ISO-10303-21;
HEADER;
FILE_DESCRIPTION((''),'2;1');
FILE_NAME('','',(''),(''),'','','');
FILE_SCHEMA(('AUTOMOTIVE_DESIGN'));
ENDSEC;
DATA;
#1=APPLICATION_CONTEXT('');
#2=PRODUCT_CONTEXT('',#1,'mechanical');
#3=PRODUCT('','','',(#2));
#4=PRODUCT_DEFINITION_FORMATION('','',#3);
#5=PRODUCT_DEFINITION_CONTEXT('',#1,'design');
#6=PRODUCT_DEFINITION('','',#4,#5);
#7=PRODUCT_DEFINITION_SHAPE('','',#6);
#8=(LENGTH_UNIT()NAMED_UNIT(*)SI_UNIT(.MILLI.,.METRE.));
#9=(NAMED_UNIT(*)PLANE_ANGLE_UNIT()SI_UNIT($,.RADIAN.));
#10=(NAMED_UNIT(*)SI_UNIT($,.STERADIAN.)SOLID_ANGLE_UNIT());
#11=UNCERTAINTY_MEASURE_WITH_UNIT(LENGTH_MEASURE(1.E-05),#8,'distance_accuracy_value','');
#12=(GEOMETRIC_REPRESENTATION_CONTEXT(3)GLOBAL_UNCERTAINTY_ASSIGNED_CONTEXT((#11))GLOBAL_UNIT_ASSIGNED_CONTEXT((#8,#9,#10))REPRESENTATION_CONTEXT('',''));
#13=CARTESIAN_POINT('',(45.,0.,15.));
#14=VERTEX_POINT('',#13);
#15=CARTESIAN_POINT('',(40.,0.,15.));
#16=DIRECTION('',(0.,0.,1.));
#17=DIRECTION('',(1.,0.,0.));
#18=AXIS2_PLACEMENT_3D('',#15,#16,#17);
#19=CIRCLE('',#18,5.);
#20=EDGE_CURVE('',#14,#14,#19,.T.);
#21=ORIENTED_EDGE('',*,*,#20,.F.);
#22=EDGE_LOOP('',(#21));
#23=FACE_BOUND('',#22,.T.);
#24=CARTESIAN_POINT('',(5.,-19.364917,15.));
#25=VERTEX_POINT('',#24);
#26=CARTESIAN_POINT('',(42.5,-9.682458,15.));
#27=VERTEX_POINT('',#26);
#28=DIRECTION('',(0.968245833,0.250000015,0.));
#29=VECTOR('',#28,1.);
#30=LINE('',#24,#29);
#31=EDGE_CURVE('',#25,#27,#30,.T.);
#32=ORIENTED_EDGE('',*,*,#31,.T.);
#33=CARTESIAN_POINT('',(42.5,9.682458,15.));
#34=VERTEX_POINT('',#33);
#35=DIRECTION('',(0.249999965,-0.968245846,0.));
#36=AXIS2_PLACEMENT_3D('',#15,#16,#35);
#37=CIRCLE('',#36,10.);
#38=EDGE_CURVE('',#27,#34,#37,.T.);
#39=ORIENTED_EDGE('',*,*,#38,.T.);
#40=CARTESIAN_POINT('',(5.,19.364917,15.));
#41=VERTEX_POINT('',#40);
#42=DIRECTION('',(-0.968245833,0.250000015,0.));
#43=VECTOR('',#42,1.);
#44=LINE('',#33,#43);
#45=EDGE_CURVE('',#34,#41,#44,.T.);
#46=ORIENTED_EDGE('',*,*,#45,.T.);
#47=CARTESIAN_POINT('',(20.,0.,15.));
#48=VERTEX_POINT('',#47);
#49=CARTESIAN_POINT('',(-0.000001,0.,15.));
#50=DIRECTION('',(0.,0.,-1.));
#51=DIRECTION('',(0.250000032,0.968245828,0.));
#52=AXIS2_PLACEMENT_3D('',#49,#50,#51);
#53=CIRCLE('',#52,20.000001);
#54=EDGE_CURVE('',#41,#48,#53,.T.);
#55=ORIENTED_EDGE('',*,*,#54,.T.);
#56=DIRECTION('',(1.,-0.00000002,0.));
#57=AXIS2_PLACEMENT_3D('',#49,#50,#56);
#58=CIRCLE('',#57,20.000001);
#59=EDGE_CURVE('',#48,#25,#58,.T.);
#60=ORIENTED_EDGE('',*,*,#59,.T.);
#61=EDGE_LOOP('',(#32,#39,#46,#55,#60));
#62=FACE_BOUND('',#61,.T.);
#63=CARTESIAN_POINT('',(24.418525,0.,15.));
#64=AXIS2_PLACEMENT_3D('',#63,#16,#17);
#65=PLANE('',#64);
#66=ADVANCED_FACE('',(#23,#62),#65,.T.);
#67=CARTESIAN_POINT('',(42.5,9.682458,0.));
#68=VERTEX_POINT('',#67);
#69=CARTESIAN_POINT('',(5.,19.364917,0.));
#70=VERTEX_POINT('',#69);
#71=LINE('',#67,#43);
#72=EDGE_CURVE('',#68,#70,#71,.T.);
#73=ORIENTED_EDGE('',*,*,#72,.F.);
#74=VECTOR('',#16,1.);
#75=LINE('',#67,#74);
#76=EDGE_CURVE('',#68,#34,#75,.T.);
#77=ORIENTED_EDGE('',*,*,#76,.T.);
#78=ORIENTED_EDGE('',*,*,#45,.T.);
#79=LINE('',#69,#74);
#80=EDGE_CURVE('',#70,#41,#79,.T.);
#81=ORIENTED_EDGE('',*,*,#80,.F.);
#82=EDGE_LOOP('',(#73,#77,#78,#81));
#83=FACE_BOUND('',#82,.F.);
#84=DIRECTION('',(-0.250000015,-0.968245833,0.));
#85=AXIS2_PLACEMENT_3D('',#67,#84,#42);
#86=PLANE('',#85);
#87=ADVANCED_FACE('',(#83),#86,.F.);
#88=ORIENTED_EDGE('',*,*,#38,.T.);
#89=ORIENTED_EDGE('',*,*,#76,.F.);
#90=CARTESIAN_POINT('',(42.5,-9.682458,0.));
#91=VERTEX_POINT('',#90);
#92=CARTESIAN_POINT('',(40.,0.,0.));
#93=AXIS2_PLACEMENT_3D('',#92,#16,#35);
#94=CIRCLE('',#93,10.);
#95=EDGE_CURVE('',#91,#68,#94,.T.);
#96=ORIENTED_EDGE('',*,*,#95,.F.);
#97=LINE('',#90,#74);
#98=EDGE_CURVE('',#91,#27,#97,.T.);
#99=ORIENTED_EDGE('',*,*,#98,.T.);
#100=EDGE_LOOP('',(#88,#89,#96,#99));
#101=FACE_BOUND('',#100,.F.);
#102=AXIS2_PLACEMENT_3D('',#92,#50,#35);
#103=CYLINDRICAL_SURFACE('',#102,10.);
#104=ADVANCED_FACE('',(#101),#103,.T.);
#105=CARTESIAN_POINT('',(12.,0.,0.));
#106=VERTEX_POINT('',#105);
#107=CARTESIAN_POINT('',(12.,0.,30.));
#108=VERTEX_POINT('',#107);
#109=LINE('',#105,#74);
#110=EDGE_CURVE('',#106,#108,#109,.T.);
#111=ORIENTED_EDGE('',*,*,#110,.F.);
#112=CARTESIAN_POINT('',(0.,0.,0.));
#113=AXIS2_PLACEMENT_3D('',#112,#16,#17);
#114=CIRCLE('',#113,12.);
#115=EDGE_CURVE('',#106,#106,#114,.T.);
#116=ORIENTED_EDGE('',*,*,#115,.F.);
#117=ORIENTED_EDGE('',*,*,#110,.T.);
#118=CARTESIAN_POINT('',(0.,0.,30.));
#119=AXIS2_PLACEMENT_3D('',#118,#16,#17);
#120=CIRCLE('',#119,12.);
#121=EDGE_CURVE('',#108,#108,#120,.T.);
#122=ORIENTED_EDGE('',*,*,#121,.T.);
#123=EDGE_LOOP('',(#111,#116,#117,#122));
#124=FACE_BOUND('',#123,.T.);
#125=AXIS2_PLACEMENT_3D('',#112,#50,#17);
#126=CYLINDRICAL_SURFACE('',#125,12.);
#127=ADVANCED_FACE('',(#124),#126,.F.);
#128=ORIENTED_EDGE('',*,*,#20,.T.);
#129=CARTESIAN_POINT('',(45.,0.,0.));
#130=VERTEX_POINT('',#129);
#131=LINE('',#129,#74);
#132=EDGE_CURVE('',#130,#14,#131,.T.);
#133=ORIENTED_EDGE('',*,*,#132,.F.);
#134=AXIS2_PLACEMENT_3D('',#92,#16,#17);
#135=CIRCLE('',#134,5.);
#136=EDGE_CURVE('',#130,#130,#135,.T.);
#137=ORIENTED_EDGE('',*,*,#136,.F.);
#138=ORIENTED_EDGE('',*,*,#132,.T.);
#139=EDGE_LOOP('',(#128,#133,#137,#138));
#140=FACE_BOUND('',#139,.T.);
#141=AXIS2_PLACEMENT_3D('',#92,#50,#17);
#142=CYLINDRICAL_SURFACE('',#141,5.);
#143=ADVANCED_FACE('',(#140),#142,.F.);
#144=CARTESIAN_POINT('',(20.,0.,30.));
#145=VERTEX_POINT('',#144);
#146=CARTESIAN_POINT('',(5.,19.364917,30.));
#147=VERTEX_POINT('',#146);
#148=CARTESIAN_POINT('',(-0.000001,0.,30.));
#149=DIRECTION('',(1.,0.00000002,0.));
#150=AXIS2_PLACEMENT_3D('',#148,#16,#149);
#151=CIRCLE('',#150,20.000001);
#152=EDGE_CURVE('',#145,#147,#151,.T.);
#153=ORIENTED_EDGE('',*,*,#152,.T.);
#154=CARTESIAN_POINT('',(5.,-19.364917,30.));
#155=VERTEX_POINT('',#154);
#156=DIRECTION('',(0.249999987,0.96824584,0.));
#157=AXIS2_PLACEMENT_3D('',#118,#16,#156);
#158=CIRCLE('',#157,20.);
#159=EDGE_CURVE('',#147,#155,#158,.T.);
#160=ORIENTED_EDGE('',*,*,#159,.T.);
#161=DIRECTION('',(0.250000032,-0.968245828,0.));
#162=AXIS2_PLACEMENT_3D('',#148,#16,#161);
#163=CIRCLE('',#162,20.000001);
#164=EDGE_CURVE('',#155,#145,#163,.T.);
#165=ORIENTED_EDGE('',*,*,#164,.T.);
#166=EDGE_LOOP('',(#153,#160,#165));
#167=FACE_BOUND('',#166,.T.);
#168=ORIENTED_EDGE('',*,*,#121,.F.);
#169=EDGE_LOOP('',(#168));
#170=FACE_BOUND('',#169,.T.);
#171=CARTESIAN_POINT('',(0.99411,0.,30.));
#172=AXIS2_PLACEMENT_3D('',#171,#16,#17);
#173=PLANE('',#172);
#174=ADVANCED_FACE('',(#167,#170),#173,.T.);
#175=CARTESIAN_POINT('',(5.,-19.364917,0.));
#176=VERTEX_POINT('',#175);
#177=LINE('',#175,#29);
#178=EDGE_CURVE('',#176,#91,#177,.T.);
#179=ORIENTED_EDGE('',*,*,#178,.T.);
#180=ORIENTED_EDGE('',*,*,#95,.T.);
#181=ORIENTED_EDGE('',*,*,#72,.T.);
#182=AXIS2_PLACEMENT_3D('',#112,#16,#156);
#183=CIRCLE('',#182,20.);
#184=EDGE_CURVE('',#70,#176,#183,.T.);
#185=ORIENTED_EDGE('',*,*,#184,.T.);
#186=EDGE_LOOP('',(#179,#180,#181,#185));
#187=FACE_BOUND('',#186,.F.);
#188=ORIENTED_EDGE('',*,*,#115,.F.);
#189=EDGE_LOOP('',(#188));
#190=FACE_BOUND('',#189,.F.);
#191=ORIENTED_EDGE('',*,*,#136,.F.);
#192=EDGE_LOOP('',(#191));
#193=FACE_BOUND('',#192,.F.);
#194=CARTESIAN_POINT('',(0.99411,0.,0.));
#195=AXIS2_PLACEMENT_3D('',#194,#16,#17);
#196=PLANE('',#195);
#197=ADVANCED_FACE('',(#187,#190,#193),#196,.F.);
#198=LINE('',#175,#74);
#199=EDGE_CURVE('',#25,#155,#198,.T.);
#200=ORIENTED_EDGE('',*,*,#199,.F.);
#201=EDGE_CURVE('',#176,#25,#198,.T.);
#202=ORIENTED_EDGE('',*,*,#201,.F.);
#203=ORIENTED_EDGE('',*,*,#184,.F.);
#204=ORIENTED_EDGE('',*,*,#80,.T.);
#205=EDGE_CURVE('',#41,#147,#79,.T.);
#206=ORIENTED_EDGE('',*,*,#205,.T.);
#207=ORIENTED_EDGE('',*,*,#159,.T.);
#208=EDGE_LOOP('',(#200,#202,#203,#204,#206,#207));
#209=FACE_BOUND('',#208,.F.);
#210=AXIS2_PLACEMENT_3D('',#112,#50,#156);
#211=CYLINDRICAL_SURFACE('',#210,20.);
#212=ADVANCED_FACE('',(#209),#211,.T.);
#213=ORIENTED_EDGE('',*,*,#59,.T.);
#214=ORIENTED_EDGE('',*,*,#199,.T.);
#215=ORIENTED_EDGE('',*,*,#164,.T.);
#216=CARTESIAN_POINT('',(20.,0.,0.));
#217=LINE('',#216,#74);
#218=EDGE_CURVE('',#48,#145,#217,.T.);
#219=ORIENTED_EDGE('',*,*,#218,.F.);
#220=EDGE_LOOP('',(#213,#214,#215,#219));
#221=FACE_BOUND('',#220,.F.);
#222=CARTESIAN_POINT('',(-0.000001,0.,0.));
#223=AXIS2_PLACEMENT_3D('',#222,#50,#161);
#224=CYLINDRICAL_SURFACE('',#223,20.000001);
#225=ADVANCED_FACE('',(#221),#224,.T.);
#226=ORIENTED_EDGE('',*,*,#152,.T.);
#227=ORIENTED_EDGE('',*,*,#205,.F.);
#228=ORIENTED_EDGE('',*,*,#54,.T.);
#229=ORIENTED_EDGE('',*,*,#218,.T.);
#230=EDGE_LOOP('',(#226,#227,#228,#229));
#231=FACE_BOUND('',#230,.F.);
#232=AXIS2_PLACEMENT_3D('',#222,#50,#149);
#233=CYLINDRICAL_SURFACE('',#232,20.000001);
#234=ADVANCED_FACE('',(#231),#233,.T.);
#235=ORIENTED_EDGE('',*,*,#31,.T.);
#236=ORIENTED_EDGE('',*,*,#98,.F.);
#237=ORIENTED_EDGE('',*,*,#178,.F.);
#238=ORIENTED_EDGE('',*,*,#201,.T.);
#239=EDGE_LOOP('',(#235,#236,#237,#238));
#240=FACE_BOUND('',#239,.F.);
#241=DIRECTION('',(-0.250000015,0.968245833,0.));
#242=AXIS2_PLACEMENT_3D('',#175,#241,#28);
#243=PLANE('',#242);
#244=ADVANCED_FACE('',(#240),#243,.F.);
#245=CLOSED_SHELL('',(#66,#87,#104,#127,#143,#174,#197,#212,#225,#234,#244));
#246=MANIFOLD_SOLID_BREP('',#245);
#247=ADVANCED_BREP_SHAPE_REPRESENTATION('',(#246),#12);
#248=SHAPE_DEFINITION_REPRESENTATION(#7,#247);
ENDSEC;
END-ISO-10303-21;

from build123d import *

# Parameters (mm, degrees)
F0_R     = 5
F1_DEPTH = 15
F0_R_2   = 12
F2_DEPTH = 30


with BuildPart() as f1:
    # F0 (on Top) → F1 (new body)
    with BuildSketch(Plane.XY):
        with BuildLine():
            Line((5, -19.364917), (42.5, -9.682458))
            ThreePointArc((42.5, -9.682458), (50, 0), (42.5, 9.682458))
            Line((42.5, 9.682458), (5, 19.364917))
            ThreePointArc((5, 19.364917), (15.811388, 12.247449), (20, 0))
            ThreePointArc((20, 0), (15.811388, -12.247449), (5, -19.364917))
        make_face()
        with Locations((40, 0)):
            Circle(F0_R, mode=Mode.SUBTRACT)
    extrude(amount=F1_DEPTH)

    # F0 (on Top) → F2 (join)
    with BuildSketch(Plane.XY):
        with BuildLine():
            ThreePointArc((5, 19.364917), (-20, 0), (5, -19.364917))
            ThreePointArc((5, -19.364917), (15.811388, -12.247449), (20, 0))
            ThreePointArc((20, 0), (15.811388, 12.247449), (5, 19.364917))
        make_face()
        Circle(F0_R_2, mode=Mode.SUBTRACT)
    extrude(amount=F2_DEPTH)


solid = f1.part
